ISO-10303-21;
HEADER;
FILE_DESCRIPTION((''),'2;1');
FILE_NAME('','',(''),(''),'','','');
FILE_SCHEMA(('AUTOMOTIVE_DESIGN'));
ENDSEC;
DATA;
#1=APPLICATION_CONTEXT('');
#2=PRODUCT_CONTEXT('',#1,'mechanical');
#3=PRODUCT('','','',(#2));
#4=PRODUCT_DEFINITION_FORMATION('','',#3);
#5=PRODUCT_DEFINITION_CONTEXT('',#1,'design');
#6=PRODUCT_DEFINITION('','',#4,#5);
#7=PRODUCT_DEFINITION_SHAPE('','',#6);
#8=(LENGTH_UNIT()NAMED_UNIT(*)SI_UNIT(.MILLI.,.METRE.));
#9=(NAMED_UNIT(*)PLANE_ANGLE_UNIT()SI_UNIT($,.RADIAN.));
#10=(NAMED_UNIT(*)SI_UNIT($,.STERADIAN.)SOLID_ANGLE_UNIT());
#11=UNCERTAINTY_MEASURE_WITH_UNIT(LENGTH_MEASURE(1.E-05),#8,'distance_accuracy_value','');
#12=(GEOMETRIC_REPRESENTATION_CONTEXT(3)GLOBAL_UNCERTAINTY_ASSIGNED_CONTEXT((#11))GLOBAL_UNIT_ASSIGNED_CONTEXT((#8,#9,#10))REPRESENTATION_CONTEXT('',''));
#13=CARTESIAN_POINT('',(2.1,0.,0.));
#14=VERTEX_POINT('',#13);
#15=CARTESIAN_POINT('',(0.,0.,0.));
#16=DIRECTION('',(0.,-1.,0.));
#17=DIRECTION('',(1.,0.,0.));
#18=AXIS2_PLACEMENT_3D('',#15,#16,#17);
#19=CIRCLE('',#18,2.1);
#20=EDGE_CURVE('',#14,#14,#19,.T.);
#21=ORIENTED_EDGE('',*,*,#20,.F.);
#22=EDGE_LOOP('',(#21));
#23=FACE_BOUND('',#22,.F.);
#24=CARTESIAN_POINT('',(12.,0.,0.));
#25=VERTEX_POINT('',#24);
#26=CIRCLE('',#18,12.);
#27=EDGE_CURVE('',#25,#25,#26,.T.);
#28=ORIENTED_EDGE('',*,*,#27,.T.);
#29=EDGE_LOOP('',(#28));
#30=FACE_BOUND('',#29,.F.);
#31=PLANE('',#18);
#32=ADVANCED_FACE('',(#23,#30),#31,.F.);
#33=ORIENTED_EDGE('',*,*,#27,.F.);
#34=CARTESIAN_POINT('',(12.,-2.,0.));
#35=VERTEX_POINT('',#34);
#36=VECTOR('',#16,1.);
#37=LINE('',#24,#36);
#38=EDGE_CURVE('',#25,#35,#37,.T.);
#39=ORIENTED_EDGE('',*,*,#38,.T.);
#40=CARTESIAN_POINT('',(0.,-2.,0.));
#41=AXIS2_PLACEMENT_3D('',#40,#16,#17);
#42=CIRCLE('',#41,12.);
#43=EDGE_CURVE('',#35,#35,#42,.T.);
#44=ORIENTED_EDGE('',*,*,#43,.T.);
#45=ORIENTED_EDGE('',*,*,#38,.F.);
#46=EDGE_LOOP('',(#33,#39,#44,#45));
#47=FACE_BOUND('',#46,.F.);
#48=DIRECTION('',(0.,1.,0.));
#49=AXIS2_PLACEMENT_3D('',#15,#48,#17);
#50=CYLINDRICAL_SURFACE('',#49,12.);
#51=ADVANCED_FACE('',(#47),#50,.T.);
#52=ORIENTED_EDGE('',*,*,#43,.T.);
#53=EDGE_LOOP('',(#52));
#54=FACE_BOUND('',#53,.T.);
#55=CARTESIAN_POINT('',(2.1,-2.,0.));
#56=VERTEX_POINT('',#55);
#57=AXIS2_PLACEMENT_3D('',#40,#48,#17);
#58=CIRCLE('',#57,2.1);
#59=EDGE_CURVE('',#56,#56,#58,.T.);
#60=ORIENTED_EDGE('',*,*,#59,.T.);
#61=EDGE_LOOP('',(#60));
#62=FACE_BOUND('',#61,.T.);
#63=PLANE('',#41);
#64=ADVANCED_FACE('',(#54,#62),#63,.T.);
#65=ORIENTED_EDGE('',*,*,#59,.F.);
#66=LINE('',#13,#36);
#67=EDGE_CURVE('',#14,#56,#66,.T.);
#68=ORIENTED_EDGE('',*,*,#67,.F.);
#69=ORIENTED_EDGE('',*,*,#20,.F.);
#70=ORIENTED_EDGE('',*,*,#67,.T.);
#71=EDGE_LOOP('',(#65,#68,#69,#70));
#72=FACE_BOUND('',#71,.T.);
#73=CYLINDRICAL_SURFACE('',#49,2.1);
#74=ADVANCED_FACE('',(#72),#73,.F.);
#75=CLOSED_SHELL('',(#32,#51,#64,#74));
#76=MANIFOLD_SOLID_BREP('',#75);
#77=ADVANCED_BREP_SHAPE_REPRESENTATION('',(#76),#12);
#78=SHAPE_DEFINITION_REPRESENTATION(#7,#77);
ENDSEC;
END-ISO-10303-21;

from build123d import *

# Parameters (mm, degrees)
CYLINDER011007_R     = 2.1
CYLINDER011007_DEPTH = 20
CYLINDER011008_R     = 12
CYLINDER011008_DEPTH = 2


with BuildPart() as belt_attach_insert_hole:
    # Cylinder011007 → Cylinder011007 (new body)
    with BuildSketch(Plane.XZ):
        Circle(CYLINDER011007_R)
    extrude(amount=CYLINDER011007_DEPTH)


with BuildPart() as belt_attach_washer_cut:
    # Cylinder011008 → Cylinder011008 (new body)
    with BuildSketch(Plane.XZ):
        Circle(CYLINDER011008_R)
    extrude(amount=CYLINDER011008_DEPTH)

    # Cut023015009008: cut belt attach insert hole
    add(belt_attach_insert_hole.part, mode=Mode.SUBTRACT)


solid = belt_attach_washer_cut.part
